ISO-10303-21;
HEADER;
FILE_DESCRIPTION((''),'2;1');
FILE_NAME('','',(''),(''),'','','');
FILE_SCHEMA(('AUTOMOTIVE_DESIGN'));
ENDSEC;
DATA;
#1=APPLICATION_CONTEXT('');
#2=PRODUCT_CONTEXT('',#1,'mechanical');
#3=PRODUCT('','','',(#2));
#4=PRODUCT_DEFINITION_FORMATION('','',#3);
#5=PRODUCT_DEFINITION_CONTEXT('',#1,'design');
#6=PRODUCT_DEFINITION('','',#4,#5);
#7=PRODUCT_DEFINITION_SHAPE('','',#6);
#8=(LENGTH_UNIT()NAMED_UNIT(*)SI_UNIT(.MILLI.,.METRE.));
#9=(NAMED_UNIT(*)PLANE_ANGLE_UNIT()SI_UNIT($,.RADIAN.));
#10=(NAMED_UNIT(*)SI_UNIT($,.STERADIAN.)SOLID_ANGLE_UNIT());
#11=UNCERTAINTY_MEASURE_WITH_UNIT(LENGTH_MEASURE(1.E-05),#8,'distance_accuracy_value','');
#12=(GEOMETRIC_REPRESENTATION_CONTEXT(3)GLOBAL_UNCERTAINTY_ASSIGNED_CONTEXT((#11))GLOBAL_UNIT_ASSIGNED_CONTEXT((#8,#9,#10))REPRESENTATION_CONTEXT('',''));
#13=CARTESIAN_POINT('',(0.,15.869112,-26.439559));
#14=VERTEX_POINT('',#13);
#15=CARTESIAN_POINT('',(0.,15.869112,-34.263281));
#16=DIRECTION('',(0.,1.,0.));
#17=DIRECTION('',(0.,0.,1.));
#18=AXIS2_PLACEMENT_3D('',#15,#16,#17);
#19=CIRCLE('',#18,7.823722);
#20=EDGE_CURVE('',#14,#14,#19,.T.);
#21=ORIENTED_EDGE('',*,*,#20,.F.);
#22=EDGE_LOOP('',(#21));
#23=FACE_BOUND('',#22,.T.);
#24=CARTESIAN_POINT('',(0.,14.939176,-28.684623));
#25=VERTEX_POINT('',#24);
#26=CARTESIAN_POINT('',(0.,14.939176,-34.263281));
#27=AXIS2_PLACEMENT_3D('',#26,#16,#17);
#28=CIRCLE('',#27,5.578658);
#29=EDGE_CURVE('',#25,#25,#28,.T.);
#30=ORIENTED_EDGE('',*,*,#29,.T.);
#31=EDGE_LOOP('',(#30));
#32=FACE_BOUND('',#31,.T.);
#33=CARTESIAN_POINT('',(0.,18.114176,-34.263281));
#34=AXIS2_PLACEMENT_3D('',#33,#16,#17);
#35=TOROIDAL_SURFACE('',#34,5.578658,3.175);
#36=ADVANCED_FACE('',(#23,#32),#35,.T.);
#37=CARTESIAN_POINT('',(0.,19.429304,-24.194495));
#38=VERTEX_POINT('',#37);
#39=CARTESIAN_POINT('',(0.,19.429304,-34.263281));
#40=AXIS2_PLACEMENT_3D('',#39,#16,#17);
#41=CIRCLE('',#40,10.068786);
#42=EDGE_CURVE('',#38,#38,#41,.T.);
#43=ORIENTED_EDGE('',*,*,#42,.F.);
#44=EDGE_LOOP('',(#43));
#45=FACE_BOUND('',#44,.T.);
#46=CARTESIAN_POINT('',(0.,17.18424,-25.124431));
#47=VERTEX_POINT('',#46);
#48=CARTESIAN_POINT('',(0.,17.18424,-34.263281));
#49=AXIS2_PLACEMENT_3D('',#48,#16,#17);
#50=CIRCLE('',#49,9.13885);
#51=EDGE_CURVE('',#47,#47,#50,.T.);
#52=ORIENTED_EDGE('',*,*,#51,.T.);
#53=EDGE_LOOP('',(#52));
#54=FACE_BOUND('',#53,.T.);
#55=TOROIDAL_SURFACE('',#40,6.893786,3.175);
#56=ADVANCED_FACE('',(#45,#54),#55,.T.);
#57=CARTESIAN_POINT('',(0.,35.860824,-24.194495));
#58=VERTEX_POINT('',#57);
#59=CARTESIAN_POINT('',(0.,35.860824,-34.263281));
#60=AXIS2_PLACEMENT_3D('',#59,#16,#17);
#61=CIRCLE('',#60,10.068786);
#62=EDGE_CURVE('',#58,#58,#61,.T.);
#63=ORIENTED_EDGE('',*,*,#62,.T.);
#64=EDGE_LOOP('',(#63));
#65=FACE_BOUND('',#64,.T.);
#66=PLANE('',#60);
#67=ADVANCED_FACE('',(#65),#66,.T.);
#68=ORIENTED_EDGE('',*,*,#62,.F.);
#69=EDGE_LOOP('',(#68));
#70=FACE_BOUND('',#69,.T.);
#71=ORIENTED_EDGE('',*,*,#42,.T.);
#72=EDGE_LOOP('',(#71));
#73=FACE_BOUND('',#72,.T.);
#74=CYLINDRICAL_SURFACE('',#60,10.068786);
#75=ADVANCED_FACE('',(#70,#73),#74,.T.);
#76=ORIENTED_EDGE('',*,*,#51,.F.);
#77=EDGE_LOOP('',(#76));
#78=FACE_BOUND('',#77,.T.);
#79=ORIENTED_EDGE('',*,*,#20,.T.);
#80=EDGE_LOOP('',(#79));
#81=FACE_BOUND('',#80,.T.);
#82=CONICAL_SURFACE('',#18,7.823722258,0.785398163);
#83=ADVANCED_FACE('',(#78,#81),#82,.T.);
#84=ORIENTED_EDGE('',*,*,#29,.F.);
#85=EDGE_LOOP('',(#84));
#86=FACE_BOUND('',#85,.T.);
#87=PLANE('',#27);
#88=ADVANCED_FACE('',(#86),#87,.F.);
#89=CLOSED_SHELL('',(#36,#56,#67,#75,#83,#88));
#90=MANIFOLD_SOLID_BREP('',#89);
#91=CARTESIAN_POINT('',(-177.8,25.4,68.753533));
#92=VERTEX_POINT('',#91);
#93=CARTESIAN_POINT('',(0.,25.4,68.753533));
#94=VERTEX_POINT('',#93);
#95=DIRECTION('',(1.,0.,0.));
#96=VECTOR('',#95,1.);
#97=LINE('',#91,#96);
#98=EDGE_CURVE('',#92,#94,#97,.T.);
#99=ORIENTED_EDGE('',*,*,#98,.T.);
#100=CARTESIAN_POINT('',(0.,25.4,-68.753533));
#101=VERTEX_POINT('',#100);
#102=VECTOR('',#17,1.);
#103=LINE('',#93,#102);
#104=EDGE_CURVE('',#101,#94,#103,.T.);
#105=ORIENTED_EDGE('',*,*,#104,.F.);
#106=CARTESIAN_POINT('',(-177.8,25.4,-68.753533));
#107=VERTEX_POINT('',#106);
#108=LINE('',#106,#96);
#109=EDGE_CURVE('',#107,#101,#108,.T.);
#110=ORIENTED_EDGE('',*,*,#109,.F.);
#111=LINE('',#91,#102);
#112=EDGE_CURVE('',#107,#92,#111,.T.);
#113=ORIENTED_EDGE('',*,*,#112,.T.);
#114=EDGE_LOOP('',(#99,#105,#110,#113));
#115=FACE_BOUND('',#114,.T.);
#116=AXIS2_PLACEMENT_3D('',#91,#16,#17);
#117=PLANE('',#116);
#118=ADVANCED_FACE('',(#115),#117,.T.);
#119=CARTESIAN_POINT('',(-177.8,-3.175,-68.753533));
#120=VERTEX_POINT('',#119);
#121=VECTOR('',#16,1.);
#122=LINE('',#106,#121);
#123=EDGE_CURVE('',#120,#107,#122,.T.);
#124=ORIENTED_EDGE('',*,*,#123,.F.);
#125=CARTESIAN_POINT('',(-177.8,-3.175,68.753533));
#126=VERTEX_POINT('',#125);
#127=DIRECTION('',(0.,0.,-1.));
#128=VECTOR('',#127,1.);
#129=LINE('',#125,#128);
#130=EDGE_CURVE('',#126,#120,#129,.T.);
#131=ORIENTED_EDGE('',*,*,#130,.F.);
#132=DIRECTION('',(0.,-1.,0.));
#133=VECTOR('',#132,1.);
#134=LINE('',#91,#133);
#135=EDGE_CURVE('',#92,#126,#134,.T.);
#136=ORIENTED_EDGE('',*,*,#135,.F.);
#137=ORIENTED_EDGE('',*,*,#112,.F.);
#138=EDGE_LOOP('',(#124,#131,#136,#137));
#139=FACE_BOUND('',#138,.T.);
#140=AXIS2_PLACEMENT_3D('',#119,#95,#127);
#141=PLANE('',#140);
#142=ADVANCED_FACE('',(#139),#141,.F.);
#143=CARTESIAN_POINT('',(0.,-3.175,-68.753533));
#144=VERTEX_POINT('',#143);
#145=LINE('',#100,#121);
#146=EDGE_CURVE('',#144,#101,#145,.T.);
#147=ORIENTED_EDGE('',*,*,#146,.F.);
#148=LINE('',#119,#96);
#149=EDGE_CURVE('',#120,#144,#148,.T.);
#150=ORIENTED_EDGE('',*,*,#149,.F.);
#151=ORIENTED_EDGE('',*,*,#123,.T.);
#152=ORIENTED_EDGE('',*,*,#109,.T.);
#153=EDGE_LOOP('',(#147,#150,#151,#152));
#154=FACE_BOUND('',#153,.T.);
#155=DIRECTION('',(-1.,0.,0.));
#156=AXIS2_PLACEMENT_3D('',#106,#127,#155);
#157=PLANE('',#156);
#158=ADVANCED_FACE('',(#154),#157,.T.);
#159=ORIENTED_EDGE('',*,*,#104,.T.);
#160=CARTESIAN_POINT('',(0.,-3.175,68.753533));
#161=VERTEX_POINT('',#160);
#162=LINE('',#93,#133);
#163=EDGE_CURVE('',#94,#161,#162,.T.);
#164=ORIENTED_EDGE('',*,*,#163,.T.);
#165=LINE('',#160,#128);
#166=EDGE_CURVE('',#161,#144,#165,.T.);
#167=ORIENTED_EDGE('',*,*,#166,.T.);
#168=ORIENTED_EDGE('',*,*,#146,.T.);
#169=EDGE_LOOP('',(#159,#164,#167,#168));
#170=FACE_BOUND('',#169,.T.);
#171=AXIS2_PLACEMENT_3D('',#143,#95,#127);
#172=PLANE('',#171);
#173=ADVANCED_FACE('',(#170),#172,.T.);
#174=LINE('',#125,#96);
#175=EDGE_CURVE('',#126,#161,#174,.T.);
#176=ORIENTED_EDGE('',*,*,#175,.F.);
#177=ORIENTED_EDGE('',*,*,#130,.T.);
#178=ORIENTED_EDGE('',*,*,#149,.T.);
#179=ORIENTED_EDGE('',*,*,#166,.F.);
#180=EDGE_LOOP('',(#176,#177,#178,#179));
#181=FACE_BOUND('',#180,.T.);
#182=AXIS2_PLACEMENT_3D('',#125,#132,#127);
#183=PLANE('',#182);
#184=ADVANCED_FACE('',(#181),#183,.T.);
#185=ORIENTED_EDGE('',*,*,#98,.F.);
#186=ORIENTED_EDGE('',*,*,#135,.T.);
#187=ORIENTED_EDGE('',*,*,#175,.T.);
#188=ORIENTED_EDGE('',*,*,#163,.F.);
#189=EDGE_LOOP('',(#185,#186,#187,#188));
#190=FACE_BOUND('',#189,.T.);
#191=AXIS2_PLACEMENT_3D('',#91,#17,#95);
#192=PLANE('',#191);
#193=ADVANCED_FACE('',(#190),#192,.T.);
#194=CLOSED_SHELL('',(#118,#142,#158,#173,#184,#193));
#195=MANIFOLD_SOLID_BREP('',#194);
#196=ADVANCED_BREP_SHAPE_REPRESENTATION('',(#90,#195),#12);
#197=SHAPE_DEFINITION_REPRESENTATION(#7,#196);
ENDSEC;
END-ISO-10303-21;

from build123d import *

# Parameters (mm, degrees)
SKETCH1_W      = 137.507065568
SKETCH1_H      = 28.575
EXTRUDE1_DEPTH = 177.8


with BuildPart() as part:
    # Sketch1 → Extrude1 (new body)
    with BuildSketch(Plane(origin=(0, 0, 0), x_dir=(0, 0, -1), z_dir=(1, 0, 0))):
        with Locations((0, 11.1125)):
            Rectangle(SKETCH1_W, SKETCH1_H)
    extrude(amount=-EXTRUDE1_DEPTH)


with BuildPart() as body_2:
    # Sketch2 → Revolve1 (revolve)
    with BuildSketch(Plane(origin=(0, 0, 0), x_dir=(0, 0, -1), z_dir=(1, 0, 0)), mode=Mode.PRIVATE) as revolve1_sk:
        with BuildLine():
            Line((34.263280918, 35.860824198), (34.263280918, 14.939175802))
            Line((34.263280918, 14.939175802), (39.841939145, 14.939175802))
            ThreePointArc((39.841939145, 14.939175802), (41.056959043, 15.180858287), (42.087003175, 15.869111772))
            Line((42.087003175, 15.869111772), (43.402131236, 17.184239833))
            ThreePointArc((43.402131236, 17.184239833), (44.090384721, 18.214283965), (44.332067206, 19.429303863))
            Line((44.332067206, 19.429303863), (44.332067206, 35.860824198))
            Line((44.332067206, 35.860824198), (34.263280918, 35.860824198))
        make_face()
    revolve(revolve1_sk.sketch.rotate(Axis((0, 35.860824198, -34.263280918), (0, -1, 0)), 180), axis=Axis((0, 35.860824198, -34.263280918), (0, -1, 0)))


solid = Compound([part.part, body_2.part])
